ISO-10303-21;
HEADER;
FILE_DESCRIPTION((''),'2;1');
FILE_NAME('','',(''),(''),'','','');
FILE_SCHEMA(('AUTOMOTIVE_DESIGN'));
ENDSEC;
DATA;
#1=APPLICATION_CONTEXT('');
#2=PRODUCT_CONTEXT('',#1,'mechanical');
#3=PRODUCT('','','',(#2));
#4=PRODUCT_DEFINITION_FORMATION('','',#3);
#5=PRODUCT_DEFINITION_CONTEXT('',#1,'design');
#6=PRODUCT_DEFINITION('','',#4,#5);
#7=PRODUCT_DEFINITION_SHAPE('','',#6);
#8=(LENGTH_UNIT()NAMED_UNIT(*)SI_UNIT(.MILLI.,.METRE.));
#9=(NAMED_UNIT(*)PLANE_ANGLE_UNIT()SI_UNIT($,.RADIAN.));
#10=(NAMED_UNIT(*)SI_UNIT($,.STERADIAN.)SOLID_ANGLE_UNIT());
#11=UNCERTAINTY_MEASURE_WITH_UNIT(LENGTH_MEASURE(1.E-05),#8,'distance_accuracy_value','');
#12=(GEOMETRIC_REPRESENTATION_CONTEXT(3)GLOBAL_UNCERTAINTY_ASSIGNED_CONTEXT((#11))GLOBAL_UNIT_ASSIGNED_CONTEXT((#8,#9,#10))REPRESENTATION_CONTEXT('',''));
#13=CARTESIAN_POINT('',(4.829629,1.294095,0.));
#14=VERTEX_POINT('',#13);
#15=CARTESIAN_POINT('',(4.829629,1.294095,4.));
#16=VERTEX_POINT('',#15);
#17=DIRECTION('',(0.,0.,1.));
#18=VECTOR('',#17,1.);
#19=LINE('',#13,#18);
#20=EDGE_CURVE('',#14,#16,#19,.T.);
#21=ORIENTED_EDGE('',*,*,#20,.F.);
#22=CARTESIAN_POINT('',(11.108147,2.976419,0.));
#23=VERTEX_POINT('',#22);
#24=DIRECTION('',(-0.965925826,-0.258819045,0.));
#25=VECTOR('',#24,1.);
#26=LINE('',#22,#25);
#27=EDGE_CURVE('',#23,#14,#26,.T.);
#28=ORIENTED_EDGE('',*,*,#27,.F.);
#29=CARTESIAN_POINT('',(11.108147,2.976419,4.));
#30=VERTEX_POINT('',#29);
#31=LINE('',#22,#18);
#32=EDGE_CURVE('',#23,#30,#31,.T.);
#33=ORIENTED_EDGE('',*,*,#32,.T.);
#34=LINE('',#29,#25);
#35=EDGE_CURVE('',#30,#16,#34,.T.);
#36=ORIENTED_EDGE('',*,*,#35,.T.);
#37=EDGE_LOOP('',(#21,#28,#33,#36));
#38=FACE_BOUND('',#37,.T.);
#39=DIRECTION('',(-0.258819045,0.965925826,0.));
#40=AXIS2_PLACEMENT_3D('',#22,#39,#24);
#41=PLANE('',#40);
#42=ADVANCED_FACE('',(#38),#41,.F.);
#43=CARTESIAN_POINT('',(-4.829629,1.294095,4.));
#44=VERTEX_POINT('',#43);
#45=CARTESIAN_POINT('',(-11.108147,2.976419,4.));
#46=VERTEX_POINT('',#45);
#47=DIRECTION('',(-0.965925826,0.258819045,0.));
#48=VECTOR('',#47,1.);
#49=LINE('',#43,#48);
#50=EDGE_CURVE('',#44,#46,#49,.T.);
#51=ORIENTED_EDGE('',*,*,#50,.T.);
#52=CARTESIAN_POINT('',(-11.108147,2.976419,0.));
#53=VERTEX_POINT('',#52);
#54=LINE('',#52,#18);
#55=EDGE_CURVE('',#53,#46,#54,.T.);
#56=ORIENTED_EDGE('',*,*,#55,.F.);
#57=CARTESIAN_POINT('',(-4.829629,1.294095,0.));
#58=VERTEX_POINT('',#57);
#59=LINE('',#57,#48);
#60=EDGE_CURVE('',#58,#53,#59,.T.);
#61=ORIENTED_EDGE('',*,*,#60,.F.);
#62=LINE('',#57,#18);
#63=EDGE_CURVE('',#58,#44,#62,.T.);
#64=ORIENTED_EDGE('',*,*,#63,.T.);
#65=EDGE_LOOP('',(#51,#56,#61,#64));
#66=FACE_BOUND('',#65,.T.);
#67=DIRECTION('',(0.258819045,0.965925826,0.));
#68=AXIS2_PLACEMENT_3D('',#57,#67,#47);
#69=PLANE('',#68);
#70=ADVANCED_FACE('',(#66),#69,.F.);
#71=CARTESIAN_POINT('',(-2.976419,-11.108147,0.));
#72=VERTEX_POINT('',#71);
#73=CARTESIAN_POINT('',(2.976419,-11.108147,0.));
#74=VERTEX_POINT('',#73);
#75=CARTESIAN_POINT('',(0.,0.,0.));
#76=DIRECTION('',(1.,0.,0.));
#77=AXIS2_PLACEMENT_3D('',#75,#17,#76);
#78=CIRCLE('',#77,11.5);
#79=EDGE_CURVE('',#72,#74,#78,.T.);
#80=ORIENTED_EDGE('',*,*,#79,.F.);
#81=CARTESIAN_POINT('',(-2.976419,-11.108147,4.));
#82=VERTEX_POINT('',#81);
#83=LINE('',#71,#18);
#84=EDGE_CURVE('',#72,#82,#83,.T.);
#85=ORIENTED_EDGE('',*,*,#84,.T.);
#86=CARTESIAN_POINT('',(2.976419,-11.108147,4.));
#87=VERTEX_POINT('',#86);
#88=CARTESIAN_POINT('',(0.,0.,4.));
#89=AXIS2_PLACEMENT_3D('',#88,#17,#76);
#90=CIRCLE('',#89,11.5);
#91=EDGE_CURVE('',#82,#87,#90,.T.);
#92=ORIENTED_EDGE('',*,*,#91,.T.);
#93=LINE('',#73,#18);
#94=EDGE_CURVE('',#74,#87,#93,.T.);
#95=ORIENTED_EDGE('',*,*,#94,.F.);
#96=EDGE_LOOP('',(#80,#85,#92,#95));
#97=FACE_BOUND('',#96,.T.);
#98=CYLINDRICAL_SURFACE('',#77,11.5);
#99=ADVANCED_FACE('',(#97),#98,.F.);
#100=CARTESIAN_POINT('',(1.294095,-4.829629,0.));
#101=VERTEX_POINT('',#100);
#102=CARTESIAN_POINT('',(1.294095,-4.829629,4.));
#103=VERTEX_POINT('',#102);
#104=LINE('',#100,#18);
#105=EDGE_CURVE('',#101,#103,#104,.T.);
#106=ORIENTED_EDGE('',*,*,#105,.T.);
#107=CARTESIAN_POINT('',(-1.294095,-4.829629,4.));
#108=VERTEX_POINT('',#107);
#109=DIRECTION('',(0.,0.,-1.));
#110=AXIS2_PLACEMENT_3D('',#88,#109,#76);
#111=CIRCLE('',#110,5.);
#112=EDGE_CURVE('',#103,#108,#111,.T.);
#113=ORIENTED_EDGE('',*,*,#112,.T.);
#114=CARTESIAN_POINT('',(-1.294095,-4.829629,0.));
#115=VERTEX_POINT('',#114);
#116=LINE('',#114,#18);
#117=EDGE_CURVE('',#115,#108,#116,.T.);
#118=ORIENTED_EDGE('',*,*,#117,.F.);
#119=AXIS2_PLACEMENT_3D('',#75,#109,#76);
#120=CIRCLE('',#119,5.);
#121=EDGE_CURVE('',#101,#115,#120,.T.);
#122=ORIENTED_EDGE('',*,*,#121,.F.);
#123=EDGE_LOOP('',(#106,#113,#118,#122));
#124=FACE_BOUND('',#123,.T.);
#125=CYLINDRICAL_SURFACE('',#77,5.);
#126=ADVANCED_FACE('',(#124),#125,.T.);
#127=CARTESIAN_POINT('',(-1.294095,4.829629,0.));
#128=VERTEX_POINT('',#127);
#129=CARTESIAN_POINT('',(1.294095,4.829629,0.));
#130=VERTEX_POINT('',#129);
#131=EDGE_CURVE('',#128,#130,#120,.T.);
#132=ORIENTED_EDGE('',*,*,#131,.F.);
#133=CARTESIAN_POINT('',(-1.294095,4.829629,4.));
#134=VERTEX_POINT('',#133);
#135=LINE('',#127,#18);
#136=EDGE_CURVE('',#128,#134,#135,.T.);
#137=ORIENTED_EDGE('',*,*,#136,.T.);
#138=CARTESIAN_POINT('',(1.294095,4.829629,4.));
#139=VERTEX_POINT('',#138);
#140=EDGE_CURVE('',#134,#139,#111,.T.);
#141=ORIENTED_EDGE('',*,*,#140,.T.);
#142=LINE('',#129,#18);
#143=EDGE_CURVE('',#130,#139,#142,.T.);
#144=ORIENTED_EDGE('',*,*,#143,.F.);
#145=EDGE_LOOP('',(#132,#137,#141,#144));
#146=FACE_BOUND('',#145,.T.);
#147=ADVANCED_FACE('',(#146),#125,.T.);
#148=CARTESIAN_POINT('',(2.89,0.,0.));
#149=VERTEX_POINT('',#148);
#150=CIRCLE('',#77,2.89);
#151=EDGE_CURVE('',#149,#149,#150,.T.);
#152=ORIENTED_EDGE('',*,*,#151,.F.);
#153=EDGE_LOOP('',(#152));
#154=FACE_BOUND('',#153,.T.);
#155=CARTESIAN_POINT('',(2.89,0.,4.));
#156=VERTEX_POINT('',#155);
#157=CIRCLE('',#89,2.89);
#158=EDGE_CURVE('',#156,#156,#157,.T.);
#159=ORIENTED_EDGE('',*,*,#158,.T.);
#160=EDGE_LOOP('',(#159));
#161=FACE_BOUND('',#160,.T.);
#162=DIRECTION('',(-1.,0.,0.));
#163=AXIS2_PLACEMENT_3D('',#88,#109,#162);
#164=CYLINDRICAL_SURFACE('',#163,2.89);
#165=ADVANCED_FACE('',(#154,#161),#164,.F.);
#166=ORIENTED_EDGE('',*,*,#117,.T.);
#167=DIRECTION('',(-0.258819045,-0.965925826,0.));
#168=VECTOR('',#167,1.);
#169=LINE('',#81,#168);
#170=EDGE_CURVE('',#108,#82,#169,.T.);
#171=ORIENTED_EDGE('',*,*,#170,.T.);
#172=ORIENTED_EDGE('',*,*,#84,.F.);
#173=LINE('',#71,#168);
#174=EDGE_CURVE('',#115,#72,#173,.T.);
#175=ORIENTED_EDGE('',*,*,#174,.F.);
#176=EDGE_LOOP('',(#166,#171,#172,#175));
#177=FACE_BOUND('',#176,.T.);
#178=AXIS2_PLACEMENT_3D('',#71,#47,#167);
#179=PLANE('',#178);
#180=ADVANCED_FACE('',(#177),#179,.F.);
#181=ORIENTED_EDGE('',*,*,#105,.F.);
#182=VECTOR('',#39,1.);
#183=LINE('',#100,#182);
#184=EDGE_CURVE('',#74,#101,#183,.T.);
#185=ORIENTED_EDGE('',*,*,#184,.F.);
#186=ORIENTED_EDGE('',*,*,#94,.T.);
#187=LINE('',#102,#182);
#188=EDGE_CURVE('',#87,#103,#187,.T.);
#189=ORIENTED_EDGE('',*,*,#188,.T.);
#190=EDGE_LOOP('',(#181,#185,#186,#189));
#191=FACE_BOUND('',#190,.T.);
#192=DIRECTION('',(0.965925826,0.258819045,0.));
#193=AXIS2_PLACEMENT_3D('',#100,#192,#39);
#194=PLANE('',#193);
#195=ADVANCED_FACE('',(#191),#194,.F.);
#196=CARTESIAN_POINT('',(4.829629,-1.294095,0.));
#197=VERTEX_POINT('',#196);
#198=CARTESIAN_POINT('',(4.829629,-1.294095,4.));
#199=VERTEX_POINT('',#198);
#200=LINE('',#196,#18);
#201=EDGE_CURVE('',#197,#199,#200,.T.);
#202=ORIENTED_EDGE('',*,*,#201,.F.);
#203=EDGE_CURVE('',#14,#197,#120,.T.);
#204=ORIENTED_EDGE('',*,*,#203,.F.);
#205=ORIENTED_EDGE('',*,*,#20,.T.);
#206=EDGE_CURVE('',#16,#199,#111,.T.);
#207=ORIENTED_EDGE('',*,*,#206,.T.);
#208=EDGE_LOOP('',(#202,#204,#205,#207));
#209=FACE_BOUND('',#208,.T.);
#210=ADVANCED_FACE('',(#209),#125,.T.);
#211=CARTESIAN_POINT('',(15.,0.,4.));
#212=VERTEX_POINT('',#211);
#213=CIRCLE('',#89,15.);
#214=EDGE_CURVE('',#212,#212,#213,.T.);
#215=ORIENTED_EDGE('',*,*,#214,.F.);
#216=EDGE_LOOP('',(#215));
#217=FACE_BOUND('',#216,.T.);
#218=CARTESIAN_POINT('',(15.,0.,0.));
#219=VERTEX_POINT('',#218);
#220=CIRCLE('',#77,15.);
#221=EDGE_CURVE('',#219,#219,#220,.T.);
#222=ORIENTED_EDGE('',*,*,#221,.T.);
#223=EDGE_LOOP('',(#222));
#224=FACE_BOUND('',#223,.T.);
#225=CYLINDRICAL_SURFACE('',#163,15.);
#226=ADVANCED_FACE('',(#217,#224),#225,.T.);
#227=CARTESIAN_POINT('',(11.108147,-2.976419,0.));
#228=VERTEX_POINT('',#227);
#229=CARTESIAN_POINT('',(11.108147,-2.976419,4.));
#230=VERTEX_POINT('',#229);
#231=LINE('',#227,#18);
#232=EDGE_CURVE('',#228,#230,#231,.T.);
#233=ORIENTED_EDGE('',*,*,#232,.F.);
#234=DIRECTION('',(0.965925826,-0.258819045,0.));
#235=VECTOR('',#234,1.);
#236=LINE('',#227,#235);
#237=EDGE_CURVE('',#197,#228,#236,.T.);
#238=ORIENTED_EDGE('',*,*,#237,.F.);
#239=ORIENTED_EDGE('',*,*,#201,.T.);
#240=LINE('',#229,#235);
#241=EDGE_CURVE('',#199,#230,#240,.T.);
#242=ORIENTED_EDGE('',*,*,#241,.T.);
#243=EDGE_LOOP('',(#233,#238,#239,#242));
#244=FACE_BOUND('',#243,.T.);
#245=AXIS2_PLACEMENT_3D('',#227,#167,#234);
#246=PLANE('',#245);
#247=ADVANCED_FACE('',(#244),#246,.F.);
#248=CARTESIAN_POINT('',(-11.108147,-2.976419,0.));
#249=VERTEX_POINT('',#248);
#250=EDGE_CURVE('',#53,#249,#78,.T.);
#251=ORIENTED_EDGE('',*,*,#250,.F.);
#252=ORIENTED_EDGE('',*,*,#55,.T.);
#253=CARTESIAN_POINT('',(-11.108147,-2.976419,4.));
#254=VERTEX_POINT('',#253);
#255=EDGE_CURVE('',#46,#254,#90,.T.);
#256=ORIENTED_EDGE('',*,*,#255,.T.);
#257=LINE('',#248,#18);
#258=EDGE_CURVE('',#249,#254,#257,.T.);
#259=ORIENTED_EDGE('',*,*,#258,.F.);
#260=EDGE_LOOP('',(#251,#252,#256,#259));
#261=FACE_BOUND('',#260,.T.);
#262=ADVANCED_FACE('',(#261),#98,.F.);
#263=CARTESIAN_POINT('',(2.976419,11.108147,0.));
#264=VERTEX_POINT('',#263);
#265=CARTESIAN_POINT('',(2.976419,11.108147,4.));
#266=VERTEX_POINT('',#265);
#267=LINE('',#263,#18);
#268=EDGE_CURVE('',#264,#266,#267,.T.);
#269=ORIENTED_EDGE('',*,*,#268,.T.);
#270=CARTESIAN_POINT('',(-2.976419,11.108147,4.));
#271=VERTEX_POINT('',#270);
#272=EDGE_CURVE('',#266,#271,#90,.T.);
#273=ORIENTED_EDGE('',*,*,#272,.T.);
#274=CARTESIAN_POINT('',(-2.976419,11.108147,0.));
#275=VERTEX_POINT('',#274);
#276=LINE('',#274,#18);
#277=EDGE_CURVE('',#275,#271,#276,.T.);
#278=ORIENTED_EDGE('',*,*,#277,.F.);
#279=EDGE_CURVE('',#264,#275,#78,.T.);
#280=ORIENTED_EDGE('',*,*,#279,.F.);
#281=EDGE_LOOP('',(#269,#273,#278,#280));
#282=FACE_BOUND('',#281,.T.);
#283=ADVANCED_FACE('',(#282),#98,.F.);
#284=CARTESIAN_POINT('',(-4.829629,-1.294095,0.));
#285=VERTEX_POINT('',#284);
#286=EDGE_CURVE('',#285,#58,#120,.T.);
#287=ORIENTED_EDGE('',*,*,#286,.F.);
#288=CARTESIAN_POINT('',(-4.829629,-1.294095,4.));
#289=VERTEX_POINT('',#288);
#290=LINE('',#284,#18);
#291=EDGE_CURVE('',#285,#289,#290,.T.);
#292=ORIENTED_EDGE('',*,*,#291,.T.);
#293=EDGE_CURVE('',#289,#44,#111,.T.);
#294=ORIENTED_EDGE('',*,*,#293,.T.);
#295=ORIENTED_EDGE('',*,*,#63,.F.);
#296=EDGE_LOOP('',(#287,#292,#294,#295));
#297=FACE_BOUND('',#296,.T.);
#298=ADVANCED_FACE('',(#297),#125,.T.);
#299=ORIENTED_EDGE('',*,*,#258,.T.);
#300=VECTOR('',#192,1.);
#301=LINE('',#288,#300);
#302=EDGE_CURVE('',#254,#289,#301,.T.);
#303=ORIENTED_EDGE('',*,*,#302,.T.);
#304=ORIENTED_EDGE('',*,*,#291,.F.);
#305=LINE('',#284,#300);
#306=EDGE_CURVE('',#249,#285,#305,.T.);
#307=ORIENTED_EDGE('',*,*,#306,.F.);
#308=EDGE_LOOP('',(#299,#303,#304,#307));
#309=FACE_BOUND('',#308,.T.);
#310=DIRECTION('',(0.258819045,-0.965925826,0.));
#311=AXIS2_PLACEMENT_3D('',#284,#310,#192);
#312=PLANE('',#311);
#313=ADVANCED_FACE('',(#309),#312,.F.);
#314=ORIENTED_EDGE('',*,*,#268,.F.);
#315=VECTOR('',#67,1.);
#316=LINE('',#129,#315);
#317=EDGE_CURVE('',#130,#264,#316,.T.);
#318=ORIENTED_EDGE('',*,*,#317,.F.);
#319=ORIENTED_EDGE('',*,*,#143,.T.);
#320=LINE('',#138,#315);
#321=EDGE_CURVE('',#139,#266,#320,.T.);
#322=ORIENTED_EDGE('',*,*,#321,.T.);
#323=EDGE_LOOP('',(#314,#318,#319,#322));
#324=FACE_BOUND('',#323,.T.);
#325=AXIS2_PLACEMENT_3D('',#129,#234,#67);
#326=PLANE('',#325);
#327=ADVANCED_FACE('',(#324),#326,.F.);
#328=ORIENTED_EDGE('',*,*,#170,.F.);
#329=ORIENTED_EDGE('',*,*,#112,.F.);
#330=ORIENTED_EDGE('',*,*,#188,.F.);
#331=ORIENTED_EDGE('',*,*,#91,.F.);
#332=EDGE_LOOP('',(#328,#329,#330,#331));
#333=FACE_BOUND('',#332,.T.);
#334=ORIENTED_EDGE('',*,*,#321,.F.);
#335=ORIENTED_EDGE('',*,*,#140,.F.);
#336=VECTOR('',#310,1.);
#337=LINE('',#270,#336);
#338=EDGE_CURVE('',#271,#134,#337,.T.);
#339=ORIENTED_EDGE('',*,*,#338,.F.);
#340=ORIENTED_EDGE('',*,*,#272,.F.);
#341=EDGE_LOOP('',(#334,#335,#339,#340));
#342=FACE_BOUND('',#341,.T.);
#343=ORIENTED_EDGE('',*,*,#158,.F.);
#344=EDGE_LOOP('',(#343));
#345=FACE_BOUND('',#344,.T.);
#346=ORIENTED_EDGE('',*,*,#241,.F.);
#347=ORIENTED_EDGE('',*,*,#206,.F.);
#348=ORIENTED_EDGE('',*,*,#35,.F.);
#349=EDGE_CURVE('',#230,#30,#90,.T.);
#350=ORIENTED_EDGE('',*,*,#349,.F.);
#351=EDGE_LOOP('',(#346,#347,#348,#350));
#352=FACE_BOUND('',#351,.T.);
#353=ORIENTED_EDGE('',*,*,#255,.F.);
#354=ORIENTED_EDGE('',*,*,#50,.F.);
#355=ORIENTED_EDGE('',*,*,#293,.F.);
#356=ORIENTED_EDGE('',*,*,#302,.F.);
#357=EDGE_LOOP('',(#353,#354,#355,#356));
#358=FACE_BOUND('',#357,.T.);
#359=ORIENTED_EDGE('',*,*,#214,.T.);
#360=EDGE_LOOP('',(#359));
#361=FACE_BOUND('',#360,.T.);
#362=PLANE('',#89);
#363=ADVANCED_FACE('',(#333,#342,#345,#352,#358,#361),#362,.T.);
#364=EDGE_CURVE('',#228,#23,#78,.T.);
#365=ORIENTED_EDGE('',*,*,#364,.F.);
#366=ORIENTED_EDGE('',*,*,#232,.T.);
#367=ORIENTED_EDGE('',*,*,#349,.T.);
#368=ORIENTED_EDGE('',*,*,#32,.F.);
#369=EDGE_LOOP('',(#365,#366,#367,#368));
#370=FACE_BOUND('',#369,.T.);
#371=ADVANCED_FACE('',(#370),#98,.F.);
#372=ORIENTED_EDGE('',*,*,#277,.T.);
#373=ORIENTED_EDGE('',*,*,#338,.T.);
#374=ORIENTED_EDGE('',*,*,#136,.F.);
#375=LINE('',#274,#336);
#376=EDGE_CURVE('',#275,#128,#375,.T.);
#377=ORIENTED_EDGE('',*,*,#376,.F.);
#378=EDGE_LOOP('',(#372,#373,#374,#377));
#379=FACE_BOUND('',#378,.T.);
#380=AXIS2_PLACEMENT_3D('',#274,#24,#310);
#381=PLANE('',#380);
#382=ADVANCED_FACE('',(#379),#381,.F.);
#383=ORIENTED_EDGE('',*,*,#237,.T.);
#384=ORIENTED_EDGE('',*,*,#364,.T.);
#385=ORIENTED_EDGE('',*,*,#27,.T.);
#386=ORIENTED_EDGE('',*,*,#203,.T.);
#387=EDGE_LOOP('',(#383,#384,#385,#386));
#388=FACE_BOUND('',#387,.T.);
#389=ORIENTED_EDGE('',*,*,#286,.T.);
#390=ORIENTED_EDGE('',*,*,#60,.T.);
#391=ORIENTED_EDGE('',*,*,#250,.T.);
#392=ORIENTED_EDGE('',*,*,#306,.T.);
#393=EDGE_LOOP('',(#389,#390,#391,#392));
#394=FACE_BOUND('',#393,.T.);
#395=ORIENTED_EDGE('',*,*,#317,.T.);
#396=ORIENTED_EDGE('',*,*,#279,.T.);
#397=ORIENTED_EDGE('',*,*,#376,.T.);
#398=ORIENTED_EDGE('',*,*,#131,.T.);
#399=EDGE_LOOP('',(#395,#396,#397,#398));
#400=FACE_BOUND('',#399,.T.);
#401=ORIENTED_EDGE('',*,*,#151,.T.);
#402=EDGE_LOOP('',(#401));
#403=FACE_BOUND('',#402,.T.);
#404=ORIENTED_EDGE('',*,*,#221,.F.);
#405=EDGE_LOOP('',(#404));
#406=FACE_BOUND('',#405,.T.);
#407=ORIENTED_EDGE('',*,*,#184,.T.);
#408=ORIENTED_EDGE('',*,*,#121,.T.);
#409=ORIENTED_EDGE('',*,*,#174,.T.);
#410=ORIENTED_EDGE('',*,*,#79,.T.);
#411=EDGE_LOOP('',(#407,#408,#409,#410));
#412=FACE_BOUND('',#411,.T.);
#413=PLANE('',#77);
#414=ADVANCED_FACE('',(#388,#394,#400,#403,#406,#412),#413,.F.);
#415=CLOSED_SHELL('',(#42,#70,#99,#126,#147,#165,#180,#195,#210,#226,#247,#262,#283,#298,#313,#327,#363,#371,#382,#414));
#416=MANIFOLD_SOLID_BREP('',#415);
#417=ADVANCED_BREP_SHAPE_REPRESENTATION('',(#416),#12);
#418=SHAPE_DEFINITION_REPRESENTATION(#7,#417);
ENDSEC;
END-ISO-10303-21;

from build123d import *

# Parameters (mm, degrees)
SCHIZZO1_R                   = 15
SCHIZZO1_R_2                 = 2.89
ESTRUSIONE_ESTRUSIONE1_DEPTH = 4
TAGLIO_ESTRUSIONE1_DEPTH     = 22.587033145


with BuildPart() as part:
    # Schizzo1 → Estrusione-Estrusione1 (new body)
    with BuildSketch(Plane.XY):
        Circle(SCHIZZO1_R)
        Circle(SCHIZZO1_R_2, mode=Mode.SUBTRACT)
    extrude(amount=ESTRUSIONE_ESTRUSIONE1_DEPTH)

    # Schizzo2 → Taglio-Estrusione1 (cut, through all)
    with BuildSketch(Plane.XY.offset(4)):
        with BuildLine():
            Line((-4.829629131, -1.294095226), (-11.108147002, -2.976419019))
            ThreePointArc((-11.108147002, -2.976419019), (-11.5, 0), (-11.108147002, 2.976419019))
            Line((-11.108147002, 2.976419019), (-4.829629131, 1.294095226))
            ThreePointArc((-4.829629131, 1.294095226), (-5, 0), (-4.829629131, -1.294095226))
        make_face()
        with BuildLine():
            Line((11.108147002, -2.976419019), (4.829629131, -1.294095226))
            ThreePointArc((4.829629131, -1.294095226), (5, 0), (4.829629131, 1.294095226))
            Line((4.829629131, 1.294095226), (11.108147002, 2.976419019))
            ThreePointArc((11.108147002, 2.976419019), (11.5, 0), (11.108147002, -2.976419019))
        make_face()
        with BuildLine():
            Line((-2.976419019, 11.108147002), (-1.294095226, 4.829629131))
            ThreePointArc((-1.294095226, 4.829629131), (0, 5), (1.294095226, 4.829629131))
            Line((1.294095226, 4.829629131), (2.976419019, 11.108147002))
            ThreePointArc((2.976419019, 11.108147002), (0, 11.5), (-2.976419019, 11.108147002))
        make_face()
        with BuildLine():
            Line((-2.976419019, -11.108147002), (-1.294095226, -4.829629131))
            ThreePointArc((-1.294095226, -4.829629131), (0, -5), (1.294095226, -4.829629131))
            Line((1.294095226, -4.829629131), (2.976419019, -11.108147002))
            ThreePointArc((2.976419019, -11.108147002), (0, -11.5), (-2.976419019, -11.108147002))
        make_face()
    extrude(amount=-TAGLIO_ESTRUSIONE1_DEPTH, mode=Mode.SUBTRACT)


solid = part.part
